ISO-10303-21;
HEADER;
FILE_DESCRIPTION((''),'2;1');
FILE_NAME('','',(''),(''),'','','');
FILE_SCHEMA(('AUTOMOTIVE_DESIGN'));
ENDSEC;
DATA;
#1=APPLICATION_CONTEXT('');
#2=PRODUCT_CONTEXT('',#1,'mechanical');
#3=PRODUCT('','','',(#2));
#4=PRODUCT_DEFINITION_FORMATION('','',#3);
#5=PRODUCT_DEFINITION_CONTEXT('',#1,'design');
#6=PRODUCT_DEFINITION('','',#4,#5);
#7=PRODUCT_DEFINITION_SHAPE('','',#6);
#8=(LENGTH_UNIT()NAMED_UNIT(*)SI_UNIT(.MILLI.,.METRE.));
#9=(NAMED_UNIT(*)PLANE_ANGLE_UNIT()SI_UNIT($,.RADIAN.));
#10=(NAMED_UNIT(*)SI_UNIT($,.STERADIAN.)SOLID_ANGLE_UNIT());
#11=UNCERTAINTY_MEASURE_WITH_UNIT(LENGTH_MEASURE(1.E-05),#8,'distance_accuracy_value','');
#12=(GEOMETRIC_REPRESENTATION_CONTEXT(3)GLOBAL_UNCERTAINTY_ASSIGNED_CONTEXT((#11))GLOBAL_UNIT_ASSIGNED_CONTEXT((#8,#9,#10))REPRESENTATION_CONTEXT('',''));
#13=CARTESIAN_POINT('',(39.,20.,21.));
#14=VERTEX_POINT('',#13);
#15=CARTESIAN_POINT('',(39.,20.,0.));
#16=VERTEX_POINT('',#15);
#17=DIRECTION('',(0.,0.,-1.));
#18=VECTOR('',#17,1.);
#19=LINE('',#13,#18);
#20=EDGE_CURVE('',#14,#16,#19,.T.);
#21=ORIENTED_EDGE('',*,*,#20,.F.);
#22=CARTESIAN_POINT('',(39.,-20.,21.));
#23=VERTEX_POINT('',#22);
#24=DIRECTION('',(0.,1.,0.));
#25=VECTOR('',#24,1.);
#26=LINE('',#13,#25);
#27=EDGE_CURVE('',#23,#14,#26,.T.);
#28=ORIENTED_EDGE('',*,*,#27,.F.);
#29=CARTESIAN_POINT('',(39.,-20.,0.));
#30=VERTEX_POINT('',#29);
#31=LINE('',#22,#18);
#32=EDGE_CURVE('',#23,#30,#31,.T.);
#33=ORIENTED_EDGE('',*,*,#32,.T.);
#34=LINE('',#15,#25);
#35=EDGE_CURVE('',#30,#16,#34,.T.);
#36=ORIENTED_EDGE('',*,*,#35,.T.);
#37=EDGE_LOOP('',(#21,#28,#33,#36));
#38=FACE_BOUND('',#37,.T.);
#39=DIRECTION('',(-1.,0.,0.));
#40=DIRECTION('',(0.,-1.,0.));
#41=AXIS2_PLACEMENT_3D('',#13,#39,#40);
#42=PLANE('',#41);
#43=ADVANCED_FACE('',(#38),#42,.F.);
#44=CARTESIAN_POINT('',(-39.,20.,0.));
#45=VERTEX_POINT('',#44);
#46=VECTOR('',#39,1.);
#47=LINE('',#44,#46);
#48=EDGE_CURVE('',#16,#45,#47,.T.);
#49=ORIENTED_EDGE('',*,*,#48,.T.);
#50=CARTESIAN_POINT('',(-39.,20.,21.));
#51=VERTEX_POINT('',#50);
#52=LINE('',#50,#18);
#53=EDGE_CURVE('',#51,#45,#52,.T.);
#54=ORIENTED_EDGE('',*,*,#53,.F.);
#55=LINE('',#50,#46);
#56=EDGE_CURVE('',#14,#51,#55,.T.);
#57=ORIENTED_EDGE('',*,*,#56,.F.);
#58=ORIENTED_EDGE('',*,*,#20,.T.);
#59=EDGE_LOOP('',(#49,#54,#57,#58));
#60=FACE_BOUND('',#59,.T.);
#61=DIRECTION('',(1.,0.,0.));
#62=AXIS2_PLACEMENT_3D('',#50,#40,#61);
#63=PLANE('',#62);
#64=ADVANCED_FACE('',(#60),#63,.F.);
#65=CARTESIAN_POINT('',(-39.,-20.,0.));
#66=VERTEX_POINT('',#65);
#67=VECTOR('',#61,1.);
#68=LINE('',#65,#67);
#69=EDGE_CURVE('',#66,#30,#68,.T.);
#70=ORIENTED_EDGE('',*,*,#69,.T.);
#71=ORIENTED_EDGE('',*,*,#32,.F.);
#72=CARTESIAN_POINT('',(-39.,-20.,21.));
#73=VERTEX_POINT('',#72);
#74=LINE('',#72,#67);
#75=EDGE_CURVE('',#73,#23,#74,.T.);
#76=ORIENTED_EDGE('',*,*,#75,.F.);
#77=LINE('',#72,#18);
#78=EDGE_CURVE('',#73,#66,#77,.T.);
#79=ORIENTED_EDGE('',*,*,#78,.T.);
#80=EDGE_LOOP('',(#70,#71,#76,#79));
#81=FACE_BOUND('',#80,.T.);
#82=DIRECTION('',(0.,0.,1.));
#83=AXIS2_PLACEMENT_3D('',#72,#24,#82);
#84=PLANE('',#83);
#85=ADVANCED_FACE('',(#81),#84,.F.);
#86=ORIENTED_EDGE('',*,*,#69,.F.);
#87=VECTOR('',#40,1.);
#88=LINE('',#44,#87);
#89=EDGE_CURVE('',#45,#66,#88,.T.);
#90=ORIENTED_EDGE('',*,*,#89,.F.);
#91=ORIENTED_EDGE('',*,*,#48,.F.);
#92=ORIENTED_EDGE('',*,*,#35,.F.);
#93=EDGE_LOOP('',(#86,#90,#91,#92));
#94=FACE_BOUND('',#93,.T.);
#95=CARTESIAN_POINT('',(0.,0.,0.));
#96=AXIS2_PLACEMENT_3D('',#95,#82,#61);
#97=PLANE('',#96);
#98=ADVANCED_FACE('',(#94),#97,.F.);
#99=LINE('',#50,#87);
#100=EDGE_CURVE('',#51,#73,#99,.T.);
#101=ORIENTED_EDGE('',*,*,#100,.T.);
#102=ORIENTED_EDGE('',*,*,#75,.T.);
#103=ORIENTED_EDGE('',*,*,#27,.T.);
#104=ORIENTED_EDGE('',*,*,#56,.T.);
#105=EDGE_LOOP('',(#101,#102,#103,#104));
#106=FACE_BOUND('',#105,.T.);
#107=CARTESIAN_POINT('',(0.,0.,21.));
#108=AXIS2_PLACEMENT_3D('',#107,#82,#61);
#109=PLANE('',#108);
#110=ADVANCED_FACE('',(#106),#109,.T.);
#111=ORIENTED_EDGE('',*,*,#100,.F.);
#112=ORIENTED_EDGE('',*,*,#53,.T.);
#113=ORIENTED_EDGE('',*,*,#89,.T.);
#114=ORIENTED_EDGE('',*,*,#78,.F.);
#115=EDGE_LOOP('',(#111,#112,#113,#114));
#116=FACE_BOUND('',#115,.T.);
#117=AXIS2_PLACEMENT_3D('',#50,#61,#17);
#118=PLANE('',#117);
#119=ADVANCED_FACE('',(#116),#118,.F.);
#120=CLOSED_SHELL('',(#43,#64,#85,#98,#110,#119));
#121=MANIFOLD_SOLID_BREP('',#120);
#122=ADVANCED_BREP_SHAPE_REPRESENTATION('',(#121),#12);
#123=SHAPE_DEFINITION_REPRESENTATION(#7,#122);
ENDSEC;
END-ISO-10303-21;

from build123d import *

# Parameters (mm, degrees)
SKETCH_1_W      = 78
SKETCH_1_H      = 40
EXTRUDE_1_DEPTH = 21


with BuildPart() as part:
    # 草图1 → 凸台-拉伸1 (new body)
    with BuildSketch(Plane.XY):
        Rectangle(SKETCH_1_W, SKETCH_1_H)
    extrude(amount=EXTRUDE_1_DEPTH)


solid = part.part
